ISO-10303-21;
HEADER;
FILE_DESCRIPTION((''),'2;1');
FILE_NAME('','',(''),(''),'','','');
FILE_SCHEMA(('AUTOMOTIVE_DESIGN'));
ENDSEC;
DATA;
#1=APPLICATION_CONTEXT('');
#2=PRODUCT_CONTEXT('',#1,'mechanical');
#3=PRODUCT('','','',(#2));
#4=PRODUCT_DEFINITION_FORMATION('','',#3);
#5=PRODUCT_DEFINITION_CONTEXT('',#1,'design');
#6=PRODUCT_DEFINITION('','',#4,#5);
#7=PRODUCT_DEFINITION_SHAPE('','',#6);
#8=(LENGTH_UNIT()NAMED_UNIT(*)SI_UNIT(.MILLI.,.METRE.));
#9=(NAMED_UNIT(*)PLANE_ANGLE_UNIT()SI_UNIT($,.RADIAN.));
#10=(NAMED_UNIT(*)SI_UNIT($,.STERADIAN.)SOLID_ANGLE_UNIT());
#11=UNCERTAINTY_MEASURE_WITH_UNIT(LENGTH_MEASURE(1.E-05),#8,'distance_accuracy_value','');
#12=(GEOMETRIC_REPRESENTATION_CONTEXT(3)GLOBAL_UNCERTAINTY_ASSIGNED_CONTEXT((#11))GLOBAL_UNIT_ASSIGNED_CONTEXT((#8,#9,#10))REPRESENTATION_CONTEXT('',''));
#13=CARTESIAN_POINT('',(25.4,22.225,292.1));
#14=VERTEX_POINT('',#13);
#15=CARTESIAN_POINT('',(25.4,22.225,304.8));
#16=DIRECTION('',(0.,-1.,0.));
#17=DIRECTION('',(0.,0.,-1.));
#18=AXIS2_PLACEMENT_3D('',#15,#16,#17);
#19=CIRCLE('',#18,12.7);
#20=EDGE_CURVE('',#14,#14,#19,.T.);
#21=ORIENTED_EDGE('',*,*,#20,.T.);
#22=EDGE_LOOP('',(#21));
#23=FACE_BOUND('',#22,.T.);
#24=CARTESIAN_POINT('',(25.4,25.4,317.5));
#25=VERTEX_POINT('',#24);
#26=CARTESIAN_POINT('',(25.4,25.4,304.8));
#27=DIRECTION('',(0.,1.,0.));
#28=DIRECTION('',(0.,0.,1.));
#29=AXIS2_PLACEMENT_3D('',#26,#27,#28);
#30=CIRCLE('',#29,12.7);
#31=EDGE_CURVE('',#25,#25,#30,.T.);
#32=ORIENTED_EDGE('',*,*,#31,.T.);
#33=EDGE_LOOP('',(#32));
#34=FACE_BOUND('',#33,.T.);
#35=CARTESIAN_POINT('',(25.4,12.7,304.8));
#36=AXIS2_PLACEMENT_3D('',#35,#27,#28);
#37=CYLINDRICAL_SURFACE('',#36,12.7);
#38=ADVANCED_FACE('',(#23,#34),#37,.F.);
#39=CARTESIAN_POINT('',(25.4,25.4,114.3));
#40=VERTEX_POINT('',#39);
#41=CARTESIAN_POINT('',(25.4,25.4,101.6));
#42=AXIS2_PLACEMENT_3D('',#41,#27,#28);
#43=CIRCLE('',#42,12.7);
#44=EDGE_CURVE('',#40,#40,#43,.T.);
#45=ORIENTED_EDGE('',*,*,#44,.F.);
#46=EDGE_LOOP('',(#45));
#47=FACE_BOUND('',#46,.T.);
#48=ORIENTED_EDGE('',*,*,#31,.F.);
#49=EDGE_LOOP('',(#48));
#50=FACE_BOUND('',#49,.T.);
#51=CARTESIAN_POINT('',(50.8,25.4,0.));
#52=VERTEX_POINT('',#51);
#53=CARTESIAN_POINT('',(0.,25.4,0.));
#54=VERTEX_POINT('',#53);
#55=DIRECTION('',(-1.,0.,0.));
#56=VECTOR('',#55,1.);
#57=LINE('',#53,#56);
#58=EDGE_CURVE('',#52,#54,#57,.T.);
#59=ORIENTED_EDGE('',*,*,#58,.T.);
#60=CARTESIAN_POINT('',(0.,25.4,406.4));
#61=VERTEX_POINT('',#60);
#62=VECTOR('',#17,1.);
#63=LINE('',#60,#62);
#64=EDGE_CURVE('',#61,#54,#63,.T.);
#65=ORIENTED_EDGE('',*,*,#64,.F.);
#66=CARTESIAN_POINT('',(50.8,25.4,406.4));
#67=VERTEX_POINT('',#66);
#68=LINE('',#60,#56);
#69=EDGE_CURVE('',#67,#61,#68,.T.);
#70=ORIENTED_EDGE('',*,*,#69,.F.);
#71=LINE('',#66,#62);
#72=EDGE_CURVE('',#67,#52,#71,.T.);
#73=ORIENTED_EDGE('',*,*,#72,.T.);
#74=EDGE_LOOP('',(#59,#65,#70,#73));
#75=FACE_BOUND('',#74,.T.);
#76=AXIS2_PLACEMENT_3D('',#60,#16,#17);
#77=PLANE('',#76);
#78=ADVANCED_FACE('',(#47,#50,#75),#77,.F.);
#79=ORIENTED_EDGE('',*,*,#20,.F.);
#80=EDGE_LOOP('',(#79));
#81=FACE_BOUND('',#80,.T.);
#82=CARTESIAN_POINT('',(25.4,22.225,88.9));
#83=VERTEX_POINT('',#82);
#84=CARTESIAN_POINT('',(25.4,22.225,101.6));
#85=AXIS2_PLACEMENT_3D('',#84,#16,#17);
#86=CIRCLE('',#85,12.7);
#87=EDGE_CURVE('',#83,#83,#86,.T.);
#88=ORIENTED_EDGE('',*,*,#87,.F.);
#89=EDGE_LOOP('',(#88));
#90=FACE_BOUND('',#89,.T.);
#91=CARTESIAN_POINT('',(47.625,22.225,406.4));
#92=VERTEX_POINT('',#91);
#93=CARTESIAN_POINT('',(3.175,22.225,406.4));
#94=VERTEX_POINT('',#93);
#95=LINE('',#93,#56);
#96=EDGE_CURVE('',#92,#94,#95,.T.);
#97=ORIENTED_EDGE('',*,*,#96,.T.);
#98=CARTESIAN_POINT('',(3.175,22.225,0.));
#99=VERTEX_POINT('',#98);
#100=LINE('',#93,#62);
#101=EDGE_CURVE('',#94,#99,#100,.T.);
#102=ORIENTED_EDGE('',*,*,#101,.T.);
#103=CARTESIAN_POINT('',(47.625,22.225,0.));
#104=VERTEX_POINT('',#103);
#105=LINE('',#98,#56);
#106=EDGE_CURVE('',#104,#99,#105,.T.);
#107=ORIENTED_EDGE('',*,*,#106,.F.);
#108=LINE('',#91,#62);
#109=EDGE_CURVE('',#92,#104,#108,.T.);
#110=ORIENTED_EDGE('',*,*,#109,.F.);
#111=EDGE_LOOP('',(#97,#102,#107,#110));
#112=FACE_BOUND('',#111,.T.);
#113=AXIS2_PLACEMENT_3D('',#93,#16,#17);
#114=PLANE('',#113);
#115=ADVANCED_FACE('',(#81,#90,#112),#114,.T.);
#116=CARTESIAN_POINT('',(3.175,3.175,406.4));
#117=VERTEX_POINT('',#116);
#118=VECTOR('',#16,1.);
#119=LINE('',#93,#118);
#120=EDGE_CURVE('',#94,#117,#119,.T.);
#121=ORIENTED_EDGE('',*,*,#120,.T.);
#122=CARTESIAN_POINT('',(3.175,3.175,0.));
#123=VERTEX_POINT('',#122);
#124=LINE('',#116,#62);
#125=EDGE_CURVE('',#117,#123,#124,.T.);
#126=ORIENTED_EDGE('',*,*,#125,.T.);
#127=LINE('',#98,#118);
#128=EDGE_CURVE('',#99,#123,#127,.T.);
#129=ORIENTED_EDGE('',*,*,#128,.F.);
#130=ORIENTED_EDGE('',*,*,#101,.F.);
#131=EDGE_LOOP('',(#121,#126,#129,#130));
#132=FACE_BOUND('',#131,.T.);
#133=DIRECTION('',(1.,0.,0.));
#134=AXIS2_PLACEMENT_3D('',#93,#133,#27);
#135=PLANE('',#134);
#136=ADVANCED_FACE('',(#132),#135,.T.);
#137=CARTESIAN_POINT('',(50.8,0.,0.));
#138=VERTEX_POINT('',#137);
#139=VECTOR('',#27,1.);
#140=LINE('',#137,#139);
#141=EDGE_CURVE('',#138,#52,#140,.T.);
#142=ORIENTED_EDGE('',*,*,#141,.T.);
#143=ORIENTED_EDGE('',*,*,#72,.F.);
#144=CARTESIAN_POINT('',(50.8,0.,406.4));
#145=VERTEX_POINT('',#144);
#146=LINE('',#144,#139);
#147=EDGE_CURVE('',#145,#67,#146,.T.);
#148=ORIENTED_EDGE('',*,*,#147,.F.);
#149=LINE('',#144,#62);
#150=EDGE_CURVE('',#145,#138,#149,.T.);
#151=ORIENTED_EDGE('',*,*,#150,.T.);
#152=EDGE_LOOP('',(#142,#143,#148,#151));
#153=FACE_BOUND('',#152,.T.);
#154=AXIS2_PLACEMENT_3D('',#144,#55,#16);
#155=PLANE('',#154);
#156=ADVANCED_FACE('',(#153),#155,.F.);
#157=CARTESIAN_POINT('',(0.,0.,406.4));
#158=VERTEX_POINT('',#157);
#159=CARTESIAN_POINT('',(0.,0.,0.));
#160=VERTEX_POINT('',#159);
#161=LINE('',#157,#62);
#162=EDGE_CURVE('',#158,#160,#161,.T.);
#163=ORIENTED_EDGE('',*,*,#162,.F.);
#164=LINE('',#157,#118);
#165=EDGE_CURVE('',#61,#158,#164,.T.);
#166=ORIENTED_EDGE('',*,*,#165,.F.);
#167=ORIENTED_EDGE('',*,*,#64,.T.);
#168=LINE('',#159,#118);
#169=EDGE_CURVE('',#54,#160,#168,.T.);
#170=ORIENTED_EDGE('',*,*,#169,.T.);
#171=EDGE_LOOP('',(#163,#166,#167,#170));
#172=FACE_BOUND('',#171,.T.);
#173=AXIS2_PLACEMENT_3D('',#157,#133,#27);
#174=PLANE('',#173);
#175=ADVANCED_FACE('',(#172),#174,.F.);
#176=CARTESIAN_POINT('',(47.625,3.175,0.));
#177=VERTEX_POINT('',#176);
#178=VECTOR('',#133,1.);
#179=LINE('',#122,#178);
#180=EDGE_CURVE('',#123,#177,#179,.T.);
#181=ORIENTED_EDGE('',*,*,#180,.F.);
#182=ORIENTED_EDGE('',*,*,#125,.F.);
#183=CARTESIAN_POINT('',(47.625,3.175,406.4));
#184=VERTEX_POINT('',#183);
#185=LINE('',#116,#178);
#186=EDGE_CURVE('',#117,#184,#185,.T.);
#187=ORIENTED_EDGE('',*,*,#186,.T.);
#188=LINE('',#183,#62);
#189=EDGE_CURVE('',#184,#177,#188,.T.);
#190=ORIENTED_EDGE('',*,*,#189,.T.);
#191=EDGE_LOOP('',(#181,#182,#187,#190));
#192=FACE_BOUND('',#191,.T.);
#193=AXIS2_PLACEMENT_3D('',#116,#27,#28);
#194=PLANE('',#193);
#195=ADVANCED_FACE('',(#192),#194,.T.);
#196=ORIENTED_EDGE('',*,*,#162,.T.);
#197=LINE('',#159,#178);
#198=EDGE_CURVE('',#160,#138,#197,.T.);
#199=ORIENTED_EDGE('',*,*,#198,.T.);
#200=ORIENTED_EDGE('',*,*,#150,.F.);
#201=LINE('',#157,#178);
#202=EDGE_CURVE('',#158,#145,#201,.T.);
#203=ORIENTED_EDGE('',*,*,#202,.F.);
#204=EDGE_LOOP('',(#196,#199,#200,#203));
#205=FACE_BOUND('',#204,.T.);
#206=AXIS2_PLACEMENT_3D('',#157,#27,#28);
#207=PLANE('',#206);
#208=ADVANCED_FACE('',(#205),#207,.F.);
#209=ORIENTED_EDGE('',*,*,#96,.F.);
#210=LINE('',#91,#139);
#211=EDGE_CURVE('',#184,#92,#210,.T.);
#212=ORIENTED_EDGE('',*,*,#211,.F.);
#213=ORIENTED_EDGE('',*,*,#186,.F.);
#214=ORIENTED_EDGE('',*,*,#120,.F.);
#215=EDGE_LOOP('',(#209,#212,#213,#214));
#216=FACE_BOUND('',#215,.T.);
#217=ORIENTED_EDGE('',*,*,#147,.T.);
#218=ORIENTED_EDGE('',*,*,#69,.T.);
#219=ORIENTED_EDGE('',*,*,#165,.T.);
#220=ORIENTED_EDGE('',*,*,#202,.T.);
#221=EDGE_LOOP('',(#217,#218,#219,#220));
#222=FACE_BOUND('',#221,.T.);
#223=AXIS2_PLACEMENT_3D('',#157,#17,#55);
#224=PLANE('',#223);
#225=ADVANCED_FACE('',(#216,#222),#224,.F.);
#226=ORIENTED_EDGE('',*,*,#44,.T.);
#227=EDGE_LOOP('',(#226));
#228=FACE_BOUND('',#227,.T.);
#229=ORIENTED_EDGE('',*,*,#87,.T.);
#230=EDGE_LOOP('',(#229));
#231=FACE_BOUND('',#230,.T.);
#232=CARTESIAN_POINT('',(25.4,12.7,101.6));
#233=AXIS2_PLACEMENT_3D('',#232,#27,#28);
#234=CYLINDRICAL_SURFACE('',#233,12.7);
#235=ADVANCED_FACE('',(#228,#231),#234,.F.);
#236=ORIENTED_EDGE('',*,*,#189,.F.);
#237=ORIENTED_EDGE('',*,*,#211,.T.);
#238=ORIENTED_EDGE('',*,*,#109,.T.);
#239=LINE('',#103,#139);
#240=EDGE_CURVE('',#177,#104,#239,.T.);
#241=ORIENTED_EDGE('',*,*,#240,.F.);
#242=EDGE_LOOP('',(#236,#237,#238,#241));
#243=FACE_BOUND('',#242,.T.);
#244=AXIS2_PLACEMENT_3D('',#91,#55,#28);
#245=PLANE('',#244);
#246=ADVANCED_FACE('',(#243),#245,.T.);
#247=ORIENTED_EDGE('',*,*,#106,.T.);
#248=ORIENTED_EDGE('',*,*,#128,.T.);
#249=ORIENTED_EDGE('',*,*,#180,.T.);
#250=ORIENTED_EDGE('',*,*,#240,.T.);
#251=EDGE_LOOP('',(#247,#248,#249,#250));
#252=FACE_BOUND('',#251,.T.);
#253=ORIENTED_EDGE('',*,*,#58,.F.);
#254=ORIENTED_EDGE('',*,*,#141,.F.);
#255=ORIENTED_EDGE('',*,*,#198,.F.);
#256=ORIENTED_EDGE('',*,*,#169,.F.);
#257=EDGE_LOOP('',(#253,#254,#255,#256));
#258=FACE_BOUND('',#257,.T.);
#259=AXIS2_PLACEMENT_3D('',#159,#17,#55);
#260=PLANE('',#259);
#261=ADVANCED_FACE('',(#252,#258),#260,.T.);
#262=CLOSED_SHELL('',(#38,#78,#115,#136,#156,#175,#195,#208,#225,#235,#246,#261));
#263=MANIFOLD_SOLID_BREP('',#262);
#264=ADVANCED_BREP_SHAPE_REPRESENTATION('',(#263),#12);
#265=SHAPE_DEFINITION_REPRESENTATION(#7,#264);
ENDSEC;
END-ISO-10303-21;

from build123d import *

# Parameters (mm, degrees)
SKETCH2_W           = 50.8
SKETCH2_H           = 25.4
SKETCH2_W_2         = 44.45
SKETCH2_H_2         = 19.05
BOSS_EXTRUDE1_DEPTH = 406.4
SKETCH3_R           = 12.7
CUT_EXTRUDE1_DEPTH  = 12.7


with BuildPart() as part:
    # Sketch2 → Boss-Extrude1 (new body)
    with BuildSketch(Plane.XY):
        with Locations((25.4, 12.7)):
            Rectangle(SKETCH2_W, SKETCH2_H)
        with Locations((25.4, 12.7)):
            Rectangle(SKETCH2_W_2, SKETCH2_H_2, mode=Mode.SUBTRACT)
    extrude(amount=BOSS_EXTRUDE1_DEPTH)

    # Sketch3 → Cut-Extrude1 (cut)
    with BuildSketch(Plane(origin=(0, 25.4, 0), x_dir=(1, 0, 0), z_dir=(0, 1, 0))):
        with Locations(Location((25.4, -101.6, 0), (0, 0, 270))):
            Circle(SKETCH3_R)
        with Locations(Location((25.4, -304.8, 0), (0, 0, 270))):
            Circle(SKETCH3_R)
    extrude(amount=-CUT_EXTRUDE1_DEPTH, mode=Mode.SUBTRACT)


solid = part.part
